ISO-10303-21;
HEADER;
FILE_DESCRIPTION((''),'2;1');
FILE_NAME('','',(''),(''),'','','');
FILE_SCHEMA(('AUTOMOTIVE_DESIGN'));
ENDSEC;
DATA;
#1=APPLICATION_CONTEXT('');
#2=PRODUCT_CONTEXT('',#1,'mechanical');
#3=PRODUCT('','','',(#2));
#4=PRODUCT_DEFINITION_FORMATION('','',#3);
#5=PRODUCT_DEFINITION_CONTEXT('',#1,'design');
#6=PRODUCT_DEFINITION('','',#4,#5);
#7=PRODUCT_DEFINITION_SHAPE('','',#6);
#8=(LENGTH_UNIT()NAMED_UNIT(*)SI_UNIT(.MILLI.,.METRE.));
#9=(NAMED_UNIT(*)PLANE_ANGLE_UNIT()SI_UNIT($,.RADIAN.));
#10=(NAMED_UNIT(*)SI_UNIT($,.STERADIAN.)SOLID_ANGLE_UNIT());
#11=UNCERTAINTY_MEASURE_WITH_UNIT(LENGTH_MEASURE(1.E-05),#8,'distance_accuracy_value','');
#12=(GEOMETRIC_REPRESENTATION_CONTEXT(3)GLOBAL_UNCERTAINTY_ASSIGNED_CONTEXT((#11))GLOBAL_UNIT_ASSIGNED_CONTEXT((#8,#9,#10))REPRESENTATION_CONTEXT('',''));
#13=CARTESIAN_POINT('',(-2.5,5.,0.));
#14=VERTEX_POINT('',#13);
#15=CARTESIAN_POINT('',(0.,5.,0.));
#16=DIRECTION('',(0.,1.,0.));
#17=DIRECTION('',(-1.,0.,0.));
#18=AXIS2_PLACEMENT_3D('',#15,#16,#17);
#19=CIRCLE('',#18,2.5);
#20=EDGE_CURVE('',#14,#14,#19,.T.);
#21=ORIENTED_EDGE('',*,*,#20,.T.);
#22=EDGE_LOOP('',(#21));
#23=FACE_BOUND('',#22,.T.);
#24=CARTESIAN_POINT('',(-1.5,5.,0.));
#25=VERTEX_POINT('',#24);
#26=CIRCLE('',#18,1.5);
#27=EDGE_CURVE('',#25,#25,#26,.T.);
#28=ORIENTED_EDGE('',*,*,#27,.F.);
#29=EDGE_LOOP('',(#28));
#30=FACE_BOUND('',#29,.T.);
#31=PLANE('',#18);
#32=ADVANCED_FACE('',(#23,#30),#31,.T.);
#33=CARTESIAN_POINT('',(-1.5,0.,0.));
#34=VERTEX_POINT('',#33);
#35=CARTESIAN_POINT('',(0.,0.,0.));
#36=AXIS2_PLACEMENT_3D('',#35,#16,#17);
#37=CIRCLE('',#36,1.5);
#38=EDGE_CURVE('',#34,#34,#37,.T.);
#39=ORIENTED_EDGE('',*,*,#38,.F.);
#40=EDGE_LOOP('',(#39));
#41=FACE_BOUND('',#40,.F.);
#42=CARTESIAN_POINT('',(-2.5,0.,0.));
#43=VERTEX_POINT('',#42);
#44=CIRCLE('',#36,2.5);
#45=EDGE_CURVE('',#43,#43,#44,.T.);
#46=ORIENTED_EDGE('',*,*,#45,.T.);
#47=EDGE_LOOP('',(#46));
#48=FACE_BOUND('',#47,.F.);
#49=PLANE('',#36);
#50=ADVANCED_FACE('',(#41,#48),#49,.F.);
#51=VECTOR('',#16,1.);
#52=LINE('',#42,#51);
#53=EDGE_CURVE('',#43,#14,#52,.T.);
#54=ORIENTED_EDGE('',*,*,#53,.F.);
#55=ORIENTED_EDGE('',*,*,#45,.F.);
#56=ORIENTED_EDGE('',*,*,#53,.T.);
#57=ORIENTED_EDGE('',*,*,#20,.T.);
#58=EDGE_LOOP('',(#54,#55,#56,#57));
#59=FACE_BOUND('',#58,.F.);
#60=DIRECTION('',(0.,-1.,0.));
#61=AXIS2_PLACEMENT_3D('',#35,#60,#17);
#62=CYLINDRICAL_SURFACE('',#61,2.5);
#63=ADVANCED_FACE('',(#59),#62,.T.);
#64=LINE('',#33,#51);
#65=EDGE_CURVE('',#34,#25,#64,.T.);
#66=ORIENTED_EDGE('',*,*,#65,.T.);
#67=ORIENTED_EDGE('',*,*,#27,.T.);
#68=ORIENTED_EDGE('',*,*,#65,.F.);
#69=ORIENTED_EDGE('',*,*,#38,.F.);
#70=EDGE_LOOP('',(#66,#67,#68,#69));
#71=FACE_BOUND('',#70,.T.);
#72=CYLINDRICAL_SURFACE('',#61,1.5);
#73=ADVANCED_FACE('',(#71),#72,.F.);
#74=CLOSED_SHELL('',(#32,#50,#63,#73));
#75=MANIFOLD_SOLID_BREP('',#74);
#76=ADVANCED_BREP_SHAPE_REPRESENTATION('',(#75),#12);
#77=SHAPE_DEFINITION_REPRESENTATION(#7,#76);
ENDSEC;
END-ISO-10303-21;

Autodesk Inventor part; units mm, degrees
ref_plane "YZ Plane" through (0, 0, 0) normal (1, 0, 0) x (0, 1, 0)
ref_plane "XZ Plane" through (0, 0, 0) normal (0, 1, 0) x (-1, 0, 0)
ref_plane "XY Plane" through (0, 0, 0) normal (0, 0, 1) x (1, 0, 0)
sketch "Sketch1" plane through (0, 0, 0) normal (0, 1, 0) x (-1, 0, 0)
  circle A0 centre (0, 0) radius 2.5
  circle A1 centre (0, 0) radius 1.5
  dimension "d0" = 5
  dimension "d1" = 3
extrude "Extrusion1" add sketch "Sketch1" along normal blind 5
thread "Thread1" size "M3x0.5" class "6H" standard "ISO Metric profile" full length
properties part number "Heat_Inserts"
